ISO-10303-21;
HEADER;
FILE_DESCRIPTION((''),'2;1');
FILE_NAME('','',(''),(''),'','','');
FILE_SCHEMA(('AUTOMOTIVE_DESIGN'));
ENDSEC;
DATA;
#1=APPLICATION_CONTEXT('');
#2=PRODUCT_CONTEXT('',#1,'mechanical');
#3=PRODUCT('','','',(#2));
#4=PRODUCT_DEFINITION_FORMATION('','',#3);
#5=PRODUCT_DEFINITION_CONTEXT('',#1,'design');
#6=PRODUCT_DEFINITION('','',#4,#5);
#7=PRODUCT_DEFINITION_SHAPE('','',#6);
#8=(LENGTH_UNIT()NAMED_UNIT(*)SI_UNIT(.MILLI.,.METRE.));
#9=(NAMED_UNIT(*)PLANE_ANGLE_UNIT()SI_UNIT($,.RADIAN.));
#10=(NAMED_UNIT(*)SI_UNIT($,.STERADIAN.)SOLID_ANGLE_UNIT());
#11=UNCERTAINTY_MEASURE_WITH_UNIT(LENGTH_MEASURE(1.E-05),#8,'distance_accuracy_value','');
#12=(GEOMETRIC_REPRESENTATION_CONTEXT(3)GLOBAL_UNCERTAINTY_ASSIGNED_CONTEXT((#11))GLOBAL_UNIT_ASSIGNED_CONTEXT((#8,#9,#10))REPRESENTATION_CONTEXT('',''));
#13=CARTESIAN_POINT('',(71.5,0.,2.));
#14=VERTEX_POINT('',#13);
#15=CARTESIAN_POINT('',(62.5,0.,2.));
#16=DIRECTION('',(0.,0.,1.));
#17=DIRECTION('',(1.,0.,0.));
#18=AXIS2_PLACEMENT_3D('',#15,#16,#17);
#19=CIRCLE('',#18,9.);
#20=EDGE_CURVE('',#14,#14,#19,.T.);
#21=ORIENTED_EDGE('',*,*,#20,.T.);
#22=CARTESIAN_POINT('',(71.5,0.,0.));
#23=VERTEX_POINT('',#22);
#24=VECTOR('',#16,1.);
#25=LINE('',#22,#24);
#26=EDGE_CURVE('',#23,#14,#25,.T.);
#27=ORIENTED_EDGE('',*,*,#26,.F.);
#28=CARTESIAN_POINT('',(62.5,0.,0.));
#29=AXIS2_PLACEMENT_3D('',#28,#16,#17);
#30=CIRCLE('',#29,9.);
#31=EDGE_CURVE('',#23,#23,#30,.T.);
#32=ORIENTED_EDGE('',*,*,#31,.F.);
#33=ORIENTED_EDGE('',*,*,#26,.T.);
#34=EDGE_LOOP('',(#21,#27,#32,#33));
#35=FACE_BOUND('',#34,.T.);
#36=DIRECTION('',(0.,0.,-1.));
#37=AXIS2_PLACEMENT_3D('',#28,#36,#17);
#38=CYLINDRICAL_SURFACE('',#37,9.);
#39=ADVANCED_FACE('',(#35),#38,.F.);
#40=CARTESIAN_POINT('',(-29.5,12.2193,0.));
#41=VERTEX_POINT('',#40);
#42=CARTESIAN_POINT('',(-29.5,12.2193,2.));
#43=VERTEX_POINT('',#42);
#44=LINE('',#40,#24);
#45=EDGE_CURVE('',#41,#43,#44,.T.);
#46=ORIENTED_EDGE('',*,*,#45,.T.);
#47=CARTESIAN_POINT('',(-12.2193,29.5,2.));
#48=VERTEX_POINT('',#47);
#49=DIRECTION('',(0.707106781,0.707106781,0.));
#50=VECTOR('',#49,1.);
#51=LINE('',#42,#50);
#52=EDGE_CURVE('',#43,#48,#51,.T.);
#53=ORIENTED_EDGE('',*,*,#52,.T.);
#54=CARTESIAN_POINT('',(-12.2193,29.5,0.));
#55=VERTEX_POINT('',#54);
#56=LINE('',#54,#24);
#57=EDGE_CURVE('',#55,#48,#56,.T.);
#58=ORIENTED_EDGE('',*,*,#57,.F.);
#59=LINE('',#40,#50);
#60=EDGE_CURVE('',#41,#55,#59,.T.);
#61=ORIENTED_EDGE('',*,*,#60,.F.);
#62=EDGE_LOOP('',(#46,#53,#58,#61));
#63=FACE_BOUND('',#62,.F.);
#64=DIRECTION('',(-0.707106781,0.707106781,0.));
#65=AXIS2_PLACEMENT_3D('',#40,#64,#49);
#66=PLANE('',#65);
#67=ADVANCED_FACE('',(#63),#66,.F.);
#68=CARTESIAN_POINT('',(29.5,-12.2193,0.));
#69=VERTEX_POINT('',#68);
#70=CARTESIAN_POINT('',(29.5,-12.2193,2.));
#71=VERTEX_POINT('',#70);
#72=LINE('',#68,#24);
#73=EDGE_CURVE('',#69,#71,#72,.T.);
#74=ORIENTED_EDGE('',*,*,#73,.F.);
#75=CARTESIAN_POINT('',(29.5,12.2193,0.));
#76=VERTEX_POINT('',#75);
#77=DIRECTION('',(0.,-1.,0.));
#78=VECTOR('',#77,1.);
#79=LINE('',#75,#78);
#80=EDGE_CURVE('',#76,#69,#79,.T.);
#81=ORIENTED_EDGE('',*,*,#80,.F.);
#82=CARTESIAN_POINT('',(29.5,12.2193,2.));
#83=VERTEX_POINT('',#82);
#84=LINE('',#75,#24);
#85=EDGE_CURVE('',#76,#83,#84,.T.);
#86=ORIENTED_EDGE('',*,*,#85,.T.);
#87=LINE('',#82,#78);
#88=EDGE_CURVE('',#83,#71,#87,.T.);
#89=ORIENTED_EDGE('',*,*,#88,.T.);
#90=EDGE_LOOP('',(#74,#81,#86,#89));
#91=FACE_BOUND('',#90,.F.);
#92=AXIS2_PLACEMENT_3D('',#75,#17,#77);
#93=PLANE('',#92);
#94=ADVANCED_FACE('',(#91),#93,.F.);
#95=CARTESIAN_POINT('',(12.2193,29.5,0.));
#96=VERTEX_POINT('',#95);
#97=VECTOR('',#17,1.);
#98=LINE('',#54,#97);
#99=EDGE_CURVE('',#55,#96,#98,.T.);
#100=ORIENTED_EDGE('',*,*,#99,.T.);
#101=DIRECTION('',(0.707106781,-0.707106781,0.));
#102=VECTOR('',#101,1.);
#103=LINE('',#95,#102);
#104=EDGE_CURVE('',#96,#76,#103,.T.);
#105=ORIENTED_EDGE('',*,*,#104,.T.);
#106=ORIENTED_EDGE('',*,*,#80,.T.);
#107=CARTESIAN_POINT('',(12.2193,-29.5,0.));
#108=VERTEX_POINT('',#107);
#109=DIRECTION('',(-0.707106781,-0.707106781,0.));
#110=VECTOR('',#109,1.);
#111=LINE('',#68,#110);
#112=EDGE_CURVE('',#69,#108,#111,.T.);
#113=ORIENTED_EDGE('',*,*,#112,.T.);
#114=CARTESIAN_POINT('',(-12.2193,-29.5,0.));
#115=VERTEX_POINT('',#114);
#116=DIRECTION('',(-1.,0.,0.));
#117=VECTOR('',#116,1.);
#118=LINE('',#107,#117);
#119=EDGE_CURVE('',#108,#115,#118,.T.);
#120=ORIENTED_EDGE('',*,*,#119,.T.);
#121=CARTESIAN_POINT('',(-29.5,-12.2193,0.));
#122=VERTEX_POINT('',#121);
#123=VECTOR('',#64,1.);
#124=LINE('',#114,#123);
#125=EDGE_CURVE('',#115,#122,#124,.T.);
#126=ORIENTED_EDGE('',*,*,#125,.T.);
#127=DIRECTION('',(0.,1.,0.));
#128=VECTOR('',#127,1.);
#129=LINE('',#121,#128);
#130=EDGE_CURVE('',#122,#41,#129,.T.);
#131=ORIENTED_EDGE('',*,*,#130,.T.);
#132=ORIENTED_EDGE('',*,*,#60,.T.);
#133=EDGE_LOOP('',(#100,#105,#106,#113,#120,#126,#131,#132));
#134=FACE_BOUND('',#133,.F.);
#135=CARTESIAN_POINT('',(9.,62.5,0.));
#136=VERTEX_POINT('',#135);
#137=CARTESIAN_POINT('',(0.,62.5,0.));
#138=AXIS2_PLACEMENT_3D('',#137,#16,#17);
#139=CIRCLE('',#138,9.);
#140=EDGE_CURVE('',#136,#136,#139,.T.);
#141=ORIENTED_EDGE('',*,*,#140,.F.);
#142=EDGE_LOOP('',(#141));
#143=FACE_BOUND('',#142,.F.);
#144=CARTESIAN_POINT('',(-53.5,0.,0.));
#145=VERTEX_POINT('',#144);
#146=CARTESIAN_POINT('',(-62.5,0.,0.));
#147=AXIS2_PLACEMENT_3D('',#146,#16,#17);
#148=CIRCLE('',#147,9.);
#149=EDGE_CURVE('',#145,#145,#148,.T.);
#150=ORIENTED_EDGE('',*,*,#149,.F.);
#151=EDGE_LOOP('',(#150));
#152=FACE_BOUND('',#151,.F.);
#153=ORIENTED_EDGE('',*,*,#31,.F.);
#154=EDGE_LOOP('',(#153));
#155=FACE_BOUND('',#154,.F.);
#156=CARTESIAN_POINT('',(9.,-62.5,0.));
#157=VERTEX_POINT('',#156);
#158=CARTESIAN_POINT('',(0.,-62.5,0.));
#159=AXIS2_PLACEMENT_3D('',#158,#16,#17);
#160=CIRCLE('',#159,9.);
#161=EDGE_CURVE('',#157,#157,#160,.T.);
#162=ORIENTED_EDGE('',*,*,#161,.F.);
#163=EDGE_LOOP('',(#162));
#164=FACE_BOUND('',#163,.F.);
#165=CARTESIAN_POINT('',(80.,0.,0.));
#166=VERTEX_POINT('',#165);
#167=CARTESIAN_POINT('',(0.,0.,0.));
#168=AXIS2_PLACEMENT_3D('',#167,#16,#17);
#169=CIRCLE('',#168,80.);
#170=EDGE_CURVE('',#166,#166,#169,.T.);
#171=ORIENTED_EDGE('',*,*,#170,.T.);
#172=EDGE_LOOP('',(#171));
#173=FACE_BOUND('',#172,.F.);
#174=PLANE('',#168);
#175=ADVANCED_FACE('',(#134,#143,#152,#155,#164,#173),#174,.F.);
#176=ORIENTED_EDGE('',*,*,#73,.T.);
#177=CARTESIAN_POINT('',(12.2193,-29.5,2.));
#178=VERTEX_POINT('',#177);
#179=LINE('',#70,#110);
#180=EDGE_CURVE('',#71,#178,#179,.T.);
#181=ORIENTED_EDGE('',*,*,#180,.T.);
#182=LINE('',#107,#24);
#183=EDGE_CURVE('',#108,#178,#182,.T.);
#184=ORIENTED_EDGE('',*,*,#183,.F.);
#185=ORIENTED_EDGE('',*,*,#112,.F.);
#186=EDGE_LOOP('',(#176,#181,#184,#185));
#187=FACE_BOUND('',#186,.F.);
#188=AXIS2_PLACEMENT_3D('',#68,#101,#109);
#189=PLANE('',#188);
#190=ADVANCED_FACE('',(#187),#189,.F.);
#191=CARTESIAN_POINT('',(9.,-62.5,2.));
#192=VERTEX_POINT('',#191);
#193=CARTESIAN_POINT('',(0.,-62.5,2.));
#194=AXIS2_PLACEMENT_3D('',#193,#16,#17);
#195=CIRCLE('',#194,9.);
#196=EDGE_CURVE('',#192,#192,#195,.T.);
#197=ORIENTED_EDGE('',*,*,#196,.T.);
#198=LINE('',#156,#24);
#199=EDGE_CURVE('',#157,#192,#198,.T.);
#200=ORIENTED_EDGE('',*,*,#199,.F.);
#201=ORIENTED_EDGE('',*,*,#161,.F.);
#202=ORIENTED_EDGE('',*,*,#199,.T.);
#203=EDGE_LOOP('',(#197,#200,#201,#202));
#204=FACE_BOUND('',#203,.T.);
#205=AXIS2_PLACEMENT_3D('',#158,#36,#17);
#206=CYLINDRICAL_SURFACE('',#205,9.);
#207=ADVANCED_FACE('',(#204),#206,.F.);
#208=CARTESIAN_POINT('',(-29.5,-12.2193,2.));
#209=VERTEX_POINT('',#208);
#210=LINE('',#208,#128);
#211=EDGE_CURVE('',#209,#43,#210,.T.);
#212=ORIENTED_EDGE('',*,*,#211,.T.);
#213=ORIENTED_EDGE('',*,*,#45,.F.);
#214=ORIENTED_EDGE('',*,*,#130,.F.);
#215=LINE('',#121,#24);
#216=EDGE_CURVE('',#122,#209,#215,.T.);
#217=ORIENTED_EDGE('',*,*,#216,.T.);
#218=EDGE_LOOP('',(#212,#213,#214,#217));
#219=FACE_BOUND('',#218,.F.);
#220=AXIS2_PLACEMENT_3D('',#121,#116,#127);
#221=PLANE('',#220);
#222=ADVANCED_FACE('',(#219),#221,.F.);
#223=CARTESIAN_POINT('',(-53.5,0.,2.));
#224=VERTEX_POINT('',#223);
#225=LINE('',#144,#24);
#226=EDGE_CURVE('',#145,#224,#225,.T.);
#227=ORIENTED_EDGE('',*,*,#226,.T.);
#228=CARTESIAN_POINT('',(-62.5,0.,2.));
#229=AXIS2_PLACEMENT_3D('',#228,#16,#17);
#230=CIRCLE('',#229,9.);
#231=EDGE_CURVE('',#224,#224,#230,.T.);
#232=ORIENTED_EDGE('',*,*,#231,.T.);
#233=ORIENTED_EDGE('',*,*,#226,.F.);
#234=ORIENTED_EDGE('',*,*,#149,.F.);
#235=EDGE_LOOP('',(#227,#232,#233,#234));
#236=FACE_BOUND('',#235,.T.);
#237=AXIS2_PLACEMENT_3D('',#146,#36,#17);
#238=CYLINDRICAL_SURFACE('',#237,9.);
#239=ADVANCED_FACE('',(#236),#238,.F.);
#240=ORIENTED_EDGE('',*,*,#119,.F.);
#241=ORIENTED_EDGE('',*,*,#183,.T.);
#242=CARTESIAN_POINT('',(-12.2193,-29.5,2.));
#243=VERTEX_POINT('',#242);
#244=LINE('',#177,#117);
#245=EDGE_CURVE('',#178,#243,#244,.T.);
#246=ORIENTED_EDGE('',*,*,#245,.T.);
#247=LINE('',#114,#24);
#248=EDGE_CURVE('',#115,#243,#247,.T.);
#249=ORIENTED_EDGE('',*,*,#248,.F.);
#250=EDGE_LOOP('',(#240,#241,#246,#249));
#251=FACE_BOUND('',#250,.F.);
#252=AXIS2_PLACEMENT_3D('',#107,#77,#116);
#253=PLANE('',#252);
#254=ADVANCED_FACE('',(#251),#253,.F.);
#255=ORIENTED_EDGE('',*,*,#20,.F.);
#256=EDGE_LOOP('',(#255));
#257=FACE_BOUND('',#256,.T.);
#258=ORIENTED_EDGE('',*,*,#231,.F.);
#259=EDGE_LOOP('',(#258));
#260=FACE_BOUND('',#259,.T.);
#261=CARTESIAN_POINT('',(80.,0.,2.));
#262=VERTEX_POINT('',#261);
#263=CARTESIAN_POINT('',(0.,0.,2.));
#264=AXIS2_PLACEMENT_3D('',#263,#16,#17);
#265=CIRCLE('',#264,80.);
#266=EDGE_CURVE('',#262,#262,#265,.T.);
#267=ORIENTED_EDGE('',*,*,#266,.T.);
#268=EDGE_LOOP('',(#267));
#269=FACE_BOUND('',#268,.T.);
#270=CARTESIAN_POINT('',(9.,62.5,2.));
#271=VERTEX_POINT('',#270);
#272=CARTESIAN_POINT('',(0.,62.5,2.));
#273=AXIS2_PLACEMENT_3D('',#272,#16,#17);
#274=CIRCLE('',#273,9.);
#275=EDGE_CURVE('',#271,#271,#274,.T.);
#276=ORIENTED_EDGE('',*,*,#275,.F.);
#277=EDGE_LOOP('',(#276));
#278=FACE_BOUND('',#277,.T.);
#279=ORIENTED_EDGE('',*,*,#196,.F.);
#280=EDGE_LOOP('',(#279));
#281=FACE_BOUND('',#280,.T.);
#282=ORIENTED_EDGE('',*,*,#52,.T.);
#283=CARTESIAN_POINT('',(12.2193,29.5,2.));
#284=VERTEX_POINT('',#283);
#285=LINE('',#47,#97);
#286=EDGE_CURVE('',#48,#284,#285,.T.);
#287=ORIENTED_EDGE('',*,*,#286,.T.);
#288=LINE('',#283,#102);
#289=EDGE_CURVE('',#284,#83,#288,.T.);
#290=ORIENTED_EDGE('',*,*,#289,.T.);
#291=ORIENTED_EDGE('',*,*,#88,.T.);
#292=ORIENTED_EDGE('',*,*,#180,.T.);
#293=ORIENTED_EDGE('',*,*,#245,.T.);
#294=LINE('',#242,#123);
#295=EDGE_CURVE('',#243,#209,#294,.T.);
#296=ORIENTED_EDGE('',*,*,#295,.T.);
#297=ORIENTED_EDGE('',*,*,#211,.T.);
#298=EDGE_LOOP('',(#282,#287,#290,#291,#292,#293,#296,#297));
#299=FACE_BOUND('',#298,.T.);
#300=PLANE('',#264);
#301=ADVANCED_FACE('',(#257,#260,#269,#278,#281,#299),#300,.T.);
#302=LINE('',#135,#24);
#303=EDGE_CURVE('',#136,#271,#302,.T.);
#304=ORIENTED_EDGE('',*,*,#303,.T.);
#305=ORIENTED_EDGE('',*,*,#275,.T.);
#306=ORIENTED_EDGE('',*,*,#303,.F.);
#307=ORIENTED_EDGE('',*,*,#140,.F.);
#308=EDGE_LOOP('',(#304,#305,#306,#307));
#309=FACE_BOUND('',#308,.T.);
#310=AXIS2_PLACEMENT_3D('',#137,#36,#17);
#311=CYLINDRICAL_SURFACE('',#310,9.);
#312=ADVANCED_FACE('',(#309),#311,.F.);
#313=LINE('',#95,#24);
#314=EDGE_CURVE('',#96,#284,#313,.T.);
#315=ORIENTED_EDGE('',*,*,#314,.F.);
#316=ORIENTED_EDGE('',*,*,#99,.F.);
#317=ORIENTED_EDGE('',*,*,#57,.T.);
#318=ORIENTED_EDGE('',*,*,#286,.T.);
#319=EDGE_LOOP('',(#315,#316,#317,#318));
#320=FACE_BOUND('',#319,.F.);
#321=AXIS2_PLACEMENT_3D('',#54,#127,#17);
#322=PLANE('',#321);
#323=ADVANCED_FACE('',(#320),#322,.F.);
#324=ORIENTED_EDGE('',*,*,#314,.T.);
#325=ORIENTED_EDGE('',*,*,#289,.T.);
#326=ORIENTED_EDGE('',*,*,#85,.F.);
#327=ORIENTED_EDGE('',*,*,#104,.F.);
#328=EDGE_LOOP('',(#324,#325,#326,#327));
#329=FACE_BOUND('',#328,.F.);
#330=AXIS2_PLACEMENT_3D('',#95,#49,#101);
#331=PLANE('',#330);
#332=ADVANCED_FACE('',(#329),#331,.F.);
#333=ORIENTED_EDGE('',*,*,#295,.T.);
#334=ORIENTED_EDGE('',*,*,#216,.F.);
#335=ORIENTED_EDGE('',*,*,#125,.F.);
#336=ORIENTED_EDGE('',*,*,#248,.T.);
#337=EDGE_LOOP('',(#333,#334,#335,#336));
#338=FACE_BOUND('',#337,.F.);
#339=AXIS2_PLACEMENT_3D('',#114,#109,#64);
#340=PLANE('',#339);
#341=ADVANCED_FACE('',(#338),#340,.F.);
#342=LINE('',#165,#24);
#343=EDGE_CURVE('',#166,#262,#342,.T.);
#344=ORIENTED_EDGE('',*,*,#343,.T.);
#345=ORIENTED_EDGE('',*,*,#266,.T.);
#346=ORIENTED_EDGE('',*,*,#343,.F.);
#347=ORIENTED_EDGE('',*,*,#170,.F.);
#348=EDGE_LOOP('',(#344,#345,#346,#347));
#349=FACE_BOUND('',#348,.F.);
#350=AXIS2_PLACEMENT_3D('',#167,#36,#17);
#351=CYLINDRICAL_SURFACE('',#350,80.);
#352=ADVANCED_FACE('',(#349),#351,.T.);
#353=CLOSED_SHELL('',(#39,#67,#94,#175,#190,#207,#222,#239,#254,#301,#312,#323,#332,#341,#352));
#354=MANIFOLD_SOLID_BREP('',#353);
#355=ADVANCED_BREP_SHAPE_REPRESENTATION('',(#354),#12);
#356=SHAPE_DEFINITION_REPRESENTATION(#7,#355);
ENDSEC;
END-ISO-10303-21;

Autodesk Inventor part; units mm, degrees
ref_plane "YZ Plane" through (0, 0, 0) normal (1, 0, 0) x (0, 1, 0)
ref_plane "XZ Plane" through (0, 0, 0) normal (0, 1, 0) x (-1, 0, 0)
ref_plane "XY Plane" through (0, 0, 0) normal (0, 0, 1) x (1, 0, 0)
sketch "Sketch1" plane through (0, 0, 0) normal (0, 0, 1) x (1, 0, 0)
  circle A0 centre (0, 0) radius 62.5 construction
  circle A1 centre (0, 0) radius 29.5 construction
  circle A2 centre (0, 0) radius 80
  line L0 (12.2193, 29.5) -> (29.5, 12.2193)
  line L1 (29.5, 12.2193) -> (29.5, -12.2193)
  line L2 (29.5, -12.2193) -> (12.2193, -29.5)
  line L3 (12.2193, -29.5) -> (-12.2193, -29.5)
  line L4 (-12.2193, -29.5) -> (-29.5, -12.2193)
  line L5 (-29.5, -12.2193) -> (-29.5, 12.2193)
  line L6 (-29.5, 12.2193) -> (-12.2193, 29.5)
  line L7 (-12.2193, 29.5) -> (12.2193, 29.5)
  circle A3 centre (0, 62.5) radius 9
  circle A4 centre (-62.5, 0) radius 9
  circle A5 centre (0, -62.5) radius 9
  circle A6 centre (62.5, 0) radius 9
  point P0 (0, 29.5)
  dimension "D_b_c" = 125
  dimension "D_min" = 59
  dimension "D_max" = 160
  dimension "Blt_hl" = 18
  dimension "d177" = 360
extrude "Plate5" add sketch "Sketch1" along normal blind 2
properties part number "PRS 940-82 funnel FLANGE" material "Stainless Steel"
